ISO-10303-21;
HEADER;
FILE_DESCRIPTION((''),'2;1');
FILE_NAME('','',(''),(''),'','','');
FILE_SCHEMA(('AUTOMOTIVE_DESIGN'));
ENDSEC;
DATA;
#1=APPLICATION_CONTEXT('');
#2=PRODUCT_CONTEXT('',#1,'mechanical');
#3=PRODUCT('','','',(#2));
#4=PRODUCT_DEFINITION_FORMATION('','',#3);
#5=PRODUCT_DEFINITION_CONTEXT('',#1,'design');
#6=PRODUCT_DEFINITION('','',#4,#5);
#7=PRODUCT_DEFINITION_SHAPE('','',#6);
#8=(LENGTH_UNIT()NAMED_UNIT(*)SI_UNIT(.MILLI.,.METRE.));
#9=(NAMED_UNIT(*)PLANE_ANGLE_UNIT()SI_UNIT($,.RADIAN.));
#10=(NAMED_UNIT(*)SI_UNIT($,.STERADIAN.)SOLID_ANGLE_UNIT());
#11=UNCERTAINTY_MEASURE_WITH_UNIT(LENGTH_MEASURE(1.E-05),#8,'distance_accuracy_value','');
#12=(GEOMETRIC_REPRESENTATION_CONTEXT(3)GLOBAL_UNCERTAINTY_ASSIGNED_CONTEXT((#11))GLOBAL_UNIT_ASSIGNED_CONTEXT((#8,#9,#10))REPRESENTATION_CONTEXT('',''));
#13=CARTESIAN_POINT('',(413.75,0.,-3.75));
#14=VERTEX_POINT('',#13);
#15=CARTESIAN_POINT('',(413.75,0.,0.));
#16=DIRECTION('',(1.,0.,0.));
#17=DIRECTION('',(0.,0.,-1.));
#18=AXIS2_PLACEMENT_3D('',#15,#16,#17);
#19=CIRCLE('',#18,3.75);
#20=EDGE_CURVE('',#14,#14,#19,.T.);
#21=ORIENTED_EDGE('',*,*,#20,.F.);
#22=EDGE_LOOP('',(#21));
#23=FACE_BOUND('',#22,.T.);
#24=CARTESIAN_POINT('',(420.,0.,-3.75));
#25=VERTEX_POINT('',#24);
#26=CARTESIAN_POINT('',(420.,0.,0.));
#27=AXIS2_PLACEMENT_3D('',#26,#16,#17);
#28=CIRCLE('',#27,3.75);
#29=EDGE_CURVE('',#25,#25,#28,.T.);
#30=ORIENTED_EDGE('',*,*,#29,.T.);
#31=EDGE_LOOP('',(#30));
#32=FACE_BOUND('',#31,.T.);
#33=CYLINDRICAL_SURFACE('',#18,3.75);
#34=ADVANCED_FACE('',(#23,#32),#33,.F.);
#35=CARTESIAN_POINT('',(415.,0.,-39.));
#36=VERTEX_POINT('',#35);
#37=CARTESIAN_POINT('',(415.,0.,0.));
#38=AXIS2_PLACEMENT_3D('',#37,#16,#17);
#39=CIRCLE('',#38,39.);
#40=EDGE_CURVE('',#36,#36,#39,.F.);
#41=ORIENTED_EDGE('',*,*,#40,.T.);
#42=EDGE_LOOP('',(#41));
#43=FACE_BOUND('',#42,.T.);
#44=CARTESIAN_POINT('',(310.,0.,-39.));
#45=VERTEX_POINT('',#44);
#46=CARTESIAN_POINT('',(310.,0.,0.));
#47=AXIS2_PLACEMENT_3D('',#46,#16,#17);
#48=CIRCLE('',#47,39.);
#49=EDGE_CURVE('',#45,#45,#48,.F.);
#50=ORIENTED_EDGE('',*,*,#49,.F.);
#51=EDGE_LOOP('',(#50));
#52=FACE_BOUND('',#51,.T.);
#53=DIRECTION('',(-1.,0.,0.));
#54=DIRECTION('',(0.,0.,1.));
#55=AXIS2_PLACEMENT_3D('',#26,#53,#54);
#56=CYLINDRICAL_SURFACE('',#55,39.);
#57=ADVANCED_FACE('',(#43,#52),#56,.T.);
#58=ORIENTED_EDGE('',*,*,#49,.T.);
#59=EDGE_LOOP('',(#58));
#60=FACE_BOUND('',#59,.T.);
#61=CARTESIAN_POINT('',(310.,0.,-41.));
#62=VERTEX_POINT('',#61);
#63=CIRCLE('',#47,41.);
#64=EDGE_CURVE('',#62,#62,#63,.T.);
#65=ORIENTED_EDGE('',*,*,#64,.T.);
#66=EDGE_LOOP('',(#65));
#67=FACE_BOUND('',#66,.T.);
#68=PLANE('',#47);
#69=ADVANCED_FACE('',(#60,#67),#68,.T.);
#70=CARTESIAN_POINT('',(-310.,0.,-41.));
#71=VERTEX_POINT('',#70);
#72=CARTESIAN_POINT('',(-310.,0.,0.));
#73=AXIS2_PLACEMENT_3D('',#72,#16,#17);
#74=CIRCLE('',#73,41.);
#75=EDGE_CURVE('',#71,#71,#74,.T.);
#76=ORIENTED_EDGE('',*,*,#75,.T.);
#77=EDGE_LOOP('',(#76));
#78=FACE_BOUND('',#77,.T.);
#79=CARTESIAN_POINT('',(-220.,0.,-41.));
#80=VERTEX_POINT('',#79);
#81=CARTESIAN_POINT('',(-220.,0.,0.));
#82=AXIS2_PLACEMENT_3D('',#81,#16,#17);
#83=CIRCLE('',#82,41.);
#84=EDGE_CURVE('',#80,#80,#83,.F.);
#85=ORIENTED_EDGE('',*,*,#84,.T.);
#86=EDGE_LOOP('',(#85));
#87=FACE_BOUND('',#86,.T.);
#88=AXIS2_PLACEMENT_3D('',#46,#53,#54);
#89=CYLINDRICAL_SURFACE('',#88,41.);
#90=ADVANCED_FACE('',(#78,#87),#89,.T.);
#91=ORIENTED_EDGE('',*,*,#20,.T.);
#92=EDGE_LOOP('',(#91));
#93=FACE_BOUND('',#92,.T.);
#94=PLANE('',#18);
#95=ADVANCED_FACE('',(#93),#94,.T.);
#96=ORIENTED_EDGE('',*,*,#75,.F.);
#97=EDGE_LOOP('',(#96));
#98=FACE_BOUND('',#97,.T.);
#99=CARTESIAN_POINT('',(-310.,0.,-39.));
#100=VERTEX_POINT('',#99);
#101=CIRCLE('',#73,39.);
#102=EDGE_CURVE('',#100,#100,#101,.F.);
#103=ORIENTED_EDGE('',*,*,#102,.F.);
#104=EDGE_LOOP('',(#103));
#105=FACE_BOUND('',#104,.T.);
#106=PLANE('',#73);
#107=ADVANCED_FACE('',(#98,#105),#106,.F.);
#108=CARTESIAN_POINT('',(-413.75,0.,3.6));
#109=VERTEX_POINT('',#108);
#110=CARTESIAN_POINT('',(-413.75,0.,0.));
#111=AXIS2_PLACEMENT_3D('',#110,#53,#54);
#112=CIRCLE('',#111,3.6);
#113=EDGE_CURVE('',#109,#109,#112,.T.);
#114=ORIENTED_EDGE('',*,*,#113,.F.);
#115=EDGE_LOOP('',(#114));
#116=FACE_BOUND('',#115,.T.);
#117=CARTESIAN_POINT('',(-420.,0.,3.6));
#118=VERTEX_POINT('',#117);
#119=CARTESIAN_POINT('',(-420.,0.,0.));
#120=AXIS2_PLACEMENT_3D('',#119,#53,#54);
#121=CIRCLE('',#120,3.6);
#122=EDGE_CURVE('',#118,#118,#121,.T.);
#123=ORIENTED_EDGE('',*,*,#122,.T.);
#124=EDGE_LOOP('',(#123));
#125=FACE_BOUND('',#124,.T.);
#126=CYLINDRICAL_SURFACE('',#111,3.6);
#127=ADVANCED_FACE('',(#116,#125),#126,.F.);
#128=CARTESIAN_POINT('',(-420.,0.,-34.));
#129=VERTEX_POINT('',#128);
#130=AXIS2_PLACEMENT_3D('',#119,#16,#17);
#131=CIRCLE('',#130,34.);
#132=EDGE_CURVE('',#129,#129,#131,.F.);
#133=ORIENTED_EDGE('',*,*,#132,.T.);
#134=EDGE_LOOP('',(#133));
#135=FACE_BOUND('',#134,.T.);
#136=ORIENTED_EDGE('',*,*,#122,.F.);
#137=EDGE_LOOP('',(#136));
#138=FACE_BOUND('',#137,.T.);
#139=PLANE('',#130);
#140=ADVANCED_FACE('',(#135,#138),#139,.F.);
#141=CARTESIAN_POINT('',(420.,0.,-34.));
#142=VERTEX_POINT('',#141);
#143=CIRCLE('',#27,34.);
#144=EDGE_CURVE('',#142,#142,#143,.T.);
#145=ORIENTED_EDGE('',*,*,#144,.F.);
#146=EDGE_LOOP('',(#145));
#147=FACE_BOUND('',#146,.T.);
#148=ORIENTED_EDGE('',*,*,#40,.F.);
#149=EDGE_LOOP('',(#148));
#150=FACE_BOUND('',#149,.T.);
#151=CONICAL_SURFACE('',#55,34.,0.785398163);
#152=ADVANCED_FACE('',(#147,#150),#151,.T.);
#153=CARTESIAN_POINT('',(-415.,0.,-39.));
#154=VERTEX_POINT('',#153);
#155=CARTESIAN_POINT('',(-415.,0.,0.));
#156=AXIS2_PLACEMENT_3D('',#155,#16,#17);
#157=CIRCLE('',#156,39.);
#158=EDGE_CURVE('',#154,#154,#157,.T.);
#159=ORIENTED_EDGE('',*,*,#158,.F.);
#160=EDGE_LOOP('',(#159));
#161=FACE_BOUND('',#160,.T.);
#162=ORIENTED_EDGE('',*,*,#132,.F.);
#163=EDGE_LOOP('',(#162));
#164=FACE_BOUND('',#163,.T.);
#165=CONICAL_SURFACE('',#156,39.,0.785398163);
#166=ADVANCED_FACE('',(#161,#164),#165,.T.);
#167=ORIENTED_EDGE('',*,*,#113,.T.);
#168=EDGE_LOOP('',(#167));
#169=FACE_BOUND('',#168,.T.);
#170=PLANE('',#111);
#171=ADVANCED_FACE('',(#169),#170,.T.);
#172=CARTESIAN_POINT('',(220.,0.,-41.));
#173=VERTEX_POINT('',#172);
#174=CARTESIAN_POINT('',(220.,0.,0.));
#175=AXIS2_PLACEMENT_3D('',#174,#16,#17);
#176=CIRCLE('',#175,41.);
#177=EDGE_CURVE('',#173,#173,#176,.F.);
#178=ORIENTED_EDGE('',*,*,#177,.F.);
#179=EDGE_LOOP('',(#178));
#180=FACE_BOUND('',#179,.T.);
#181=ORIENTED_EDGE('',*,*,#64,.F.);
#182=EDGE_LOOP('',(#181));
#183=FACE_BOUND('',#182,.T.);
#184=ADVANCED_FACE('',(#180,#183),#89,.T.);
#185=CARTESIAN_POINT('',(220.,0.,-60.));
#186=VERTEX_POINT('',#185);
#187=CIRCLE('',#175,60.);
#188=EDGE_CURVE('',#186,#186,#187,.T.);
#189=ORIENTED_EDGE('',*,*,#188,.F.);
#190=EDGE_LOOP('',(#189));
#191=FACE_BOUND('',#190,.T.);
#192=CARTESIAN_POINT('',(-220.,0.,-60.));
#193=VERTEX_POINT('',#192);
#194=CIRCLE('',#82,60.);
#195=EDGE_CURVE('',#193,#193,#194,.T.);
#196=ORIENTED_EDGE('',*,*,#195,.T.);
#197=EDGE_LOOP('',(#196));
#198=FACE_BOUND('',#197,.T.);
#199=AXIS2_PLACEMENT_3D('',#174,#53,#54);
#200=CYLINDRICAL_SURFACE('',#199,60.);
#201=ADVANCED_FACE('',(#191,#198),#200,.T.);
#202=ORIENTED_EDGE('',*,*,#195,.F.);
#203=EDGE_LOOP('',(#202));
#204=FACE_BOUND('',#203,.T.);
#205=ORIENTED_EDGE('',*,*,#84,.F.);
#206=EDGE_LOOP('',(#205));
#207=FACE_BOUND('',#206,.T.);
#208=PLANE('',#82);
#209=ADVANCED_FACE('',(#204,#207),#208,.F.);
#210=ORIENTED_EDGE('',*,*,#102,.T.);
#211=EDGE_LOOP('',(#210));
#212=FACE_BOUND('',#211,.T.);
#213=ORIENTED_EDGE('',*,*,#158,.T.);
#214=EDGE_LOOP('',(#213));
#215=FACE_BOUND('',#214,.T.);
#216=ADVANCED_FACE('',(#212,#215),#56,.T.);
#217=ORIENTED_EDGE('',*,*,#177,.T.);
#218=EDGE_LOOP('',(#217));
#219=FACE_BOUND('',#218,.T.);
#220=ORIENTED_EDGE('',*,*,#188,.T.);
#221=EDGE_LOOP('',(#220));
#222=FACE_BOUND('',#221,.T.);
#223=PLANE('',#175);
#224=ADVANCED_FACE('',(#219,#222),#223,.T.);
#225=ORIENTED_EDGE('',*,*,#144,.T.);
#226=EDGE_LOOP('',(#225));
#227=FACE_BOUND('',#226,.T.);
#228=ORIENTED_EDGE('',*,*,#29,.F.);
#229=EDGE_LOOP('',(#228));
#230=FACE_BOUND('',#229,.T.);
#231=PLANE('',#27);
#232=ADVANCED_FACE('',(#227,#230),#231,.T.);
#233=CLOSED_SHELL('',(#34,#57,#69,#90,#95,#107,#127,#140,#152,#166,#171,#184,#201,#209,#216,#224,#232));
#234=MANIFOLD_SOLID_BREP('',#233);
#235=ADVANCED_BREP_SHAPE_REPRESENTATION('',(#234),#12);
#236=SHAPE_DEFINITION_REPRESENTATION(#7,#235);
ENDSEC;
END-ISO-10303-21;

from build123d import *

# Parameters (mm, degrees)
SKETCH1_R           = 60
BOSS_EXTRUDE1_DEPTH = 220
SKETCH2_R           = 41
BOSS_EXTRUDE2_DEPTH = 310
SKETCH3_R           = 39
BOSS_EXTRUDE3_DEPTH = 420
SKETCH4_R           = 3.75
CUT_EXTRUDE1_DEPTH  = 6.25
SKETCH5_R           = 3.6
CUT_EXTRUDE2_DEPTH  = 6.25
CHAMFER1_SIZE       = 5


with BuildPart() as part:
    # Sketch1 → Boss-Extrude1 (new body, symmetric)
    with BuildSketch(Plane(origin=(0, 0, 0), x_dir=(0, 0, -1), z_dir=(1, 0, 0))):
        Circle(SKETCH1_R)
    extrude(amount=BOSS_EXTRUDE1_DEPTH, both=True)

    # Sketch2 → Boss-Extrude2 (add, symmetric)
    with BuildSketch(Plane(origin=(0, 0, 0), x_dir=(0, 0, -1), z_dir=(1, 0, 0))):
        Circle(SKETCH2_R)
    extrude(amount=BOSS_EXTRUDE2_DEPTH, both=True)

    # Sketch3 → Boss-Extrude3 (add, symmetric)
    with BuildSketch(Plane(origin=(0, 0, 0), x_dir=(0, 0, -1), z_dir=(1, 0, 0))):
        Circle(SKETCH3_R)
    extrude(amount=BOSS_EXTRUDE3_DEPTH, both=True)

    # Sketch4 → Cut-Extrude1 (cut)
    with BuildSketch(Plane(origin=(420, 0, 0), x_dir=(0, 0, -1), z_dir=(1, 0, 0))):
        Circle(SKETCH4_R)
    extrude(amount=-CUT_EXTRUDE1_DEPTH, mode=Mode.SUBTRACT)

    # Sketch5 → Cut-Extrude2 (cut)
    with BuildSketch(Plane.ZY.offset(420)):
        Circle(SKETCH5_R)
    extrude(amount=-CUT_EXTRUDE2_DEPTH, mode=Mode.SUBTRACT)

    # Chamfer1
    chamfer1_edges = [part.edges().sort_by_distance(p)[0] for p in [
        (-420, 0, 39),
        (420, 0, 39),
    ]]
    chamfer(chamfer1_edges, length=CHAMFER1_SIZE)


solid = part.part
